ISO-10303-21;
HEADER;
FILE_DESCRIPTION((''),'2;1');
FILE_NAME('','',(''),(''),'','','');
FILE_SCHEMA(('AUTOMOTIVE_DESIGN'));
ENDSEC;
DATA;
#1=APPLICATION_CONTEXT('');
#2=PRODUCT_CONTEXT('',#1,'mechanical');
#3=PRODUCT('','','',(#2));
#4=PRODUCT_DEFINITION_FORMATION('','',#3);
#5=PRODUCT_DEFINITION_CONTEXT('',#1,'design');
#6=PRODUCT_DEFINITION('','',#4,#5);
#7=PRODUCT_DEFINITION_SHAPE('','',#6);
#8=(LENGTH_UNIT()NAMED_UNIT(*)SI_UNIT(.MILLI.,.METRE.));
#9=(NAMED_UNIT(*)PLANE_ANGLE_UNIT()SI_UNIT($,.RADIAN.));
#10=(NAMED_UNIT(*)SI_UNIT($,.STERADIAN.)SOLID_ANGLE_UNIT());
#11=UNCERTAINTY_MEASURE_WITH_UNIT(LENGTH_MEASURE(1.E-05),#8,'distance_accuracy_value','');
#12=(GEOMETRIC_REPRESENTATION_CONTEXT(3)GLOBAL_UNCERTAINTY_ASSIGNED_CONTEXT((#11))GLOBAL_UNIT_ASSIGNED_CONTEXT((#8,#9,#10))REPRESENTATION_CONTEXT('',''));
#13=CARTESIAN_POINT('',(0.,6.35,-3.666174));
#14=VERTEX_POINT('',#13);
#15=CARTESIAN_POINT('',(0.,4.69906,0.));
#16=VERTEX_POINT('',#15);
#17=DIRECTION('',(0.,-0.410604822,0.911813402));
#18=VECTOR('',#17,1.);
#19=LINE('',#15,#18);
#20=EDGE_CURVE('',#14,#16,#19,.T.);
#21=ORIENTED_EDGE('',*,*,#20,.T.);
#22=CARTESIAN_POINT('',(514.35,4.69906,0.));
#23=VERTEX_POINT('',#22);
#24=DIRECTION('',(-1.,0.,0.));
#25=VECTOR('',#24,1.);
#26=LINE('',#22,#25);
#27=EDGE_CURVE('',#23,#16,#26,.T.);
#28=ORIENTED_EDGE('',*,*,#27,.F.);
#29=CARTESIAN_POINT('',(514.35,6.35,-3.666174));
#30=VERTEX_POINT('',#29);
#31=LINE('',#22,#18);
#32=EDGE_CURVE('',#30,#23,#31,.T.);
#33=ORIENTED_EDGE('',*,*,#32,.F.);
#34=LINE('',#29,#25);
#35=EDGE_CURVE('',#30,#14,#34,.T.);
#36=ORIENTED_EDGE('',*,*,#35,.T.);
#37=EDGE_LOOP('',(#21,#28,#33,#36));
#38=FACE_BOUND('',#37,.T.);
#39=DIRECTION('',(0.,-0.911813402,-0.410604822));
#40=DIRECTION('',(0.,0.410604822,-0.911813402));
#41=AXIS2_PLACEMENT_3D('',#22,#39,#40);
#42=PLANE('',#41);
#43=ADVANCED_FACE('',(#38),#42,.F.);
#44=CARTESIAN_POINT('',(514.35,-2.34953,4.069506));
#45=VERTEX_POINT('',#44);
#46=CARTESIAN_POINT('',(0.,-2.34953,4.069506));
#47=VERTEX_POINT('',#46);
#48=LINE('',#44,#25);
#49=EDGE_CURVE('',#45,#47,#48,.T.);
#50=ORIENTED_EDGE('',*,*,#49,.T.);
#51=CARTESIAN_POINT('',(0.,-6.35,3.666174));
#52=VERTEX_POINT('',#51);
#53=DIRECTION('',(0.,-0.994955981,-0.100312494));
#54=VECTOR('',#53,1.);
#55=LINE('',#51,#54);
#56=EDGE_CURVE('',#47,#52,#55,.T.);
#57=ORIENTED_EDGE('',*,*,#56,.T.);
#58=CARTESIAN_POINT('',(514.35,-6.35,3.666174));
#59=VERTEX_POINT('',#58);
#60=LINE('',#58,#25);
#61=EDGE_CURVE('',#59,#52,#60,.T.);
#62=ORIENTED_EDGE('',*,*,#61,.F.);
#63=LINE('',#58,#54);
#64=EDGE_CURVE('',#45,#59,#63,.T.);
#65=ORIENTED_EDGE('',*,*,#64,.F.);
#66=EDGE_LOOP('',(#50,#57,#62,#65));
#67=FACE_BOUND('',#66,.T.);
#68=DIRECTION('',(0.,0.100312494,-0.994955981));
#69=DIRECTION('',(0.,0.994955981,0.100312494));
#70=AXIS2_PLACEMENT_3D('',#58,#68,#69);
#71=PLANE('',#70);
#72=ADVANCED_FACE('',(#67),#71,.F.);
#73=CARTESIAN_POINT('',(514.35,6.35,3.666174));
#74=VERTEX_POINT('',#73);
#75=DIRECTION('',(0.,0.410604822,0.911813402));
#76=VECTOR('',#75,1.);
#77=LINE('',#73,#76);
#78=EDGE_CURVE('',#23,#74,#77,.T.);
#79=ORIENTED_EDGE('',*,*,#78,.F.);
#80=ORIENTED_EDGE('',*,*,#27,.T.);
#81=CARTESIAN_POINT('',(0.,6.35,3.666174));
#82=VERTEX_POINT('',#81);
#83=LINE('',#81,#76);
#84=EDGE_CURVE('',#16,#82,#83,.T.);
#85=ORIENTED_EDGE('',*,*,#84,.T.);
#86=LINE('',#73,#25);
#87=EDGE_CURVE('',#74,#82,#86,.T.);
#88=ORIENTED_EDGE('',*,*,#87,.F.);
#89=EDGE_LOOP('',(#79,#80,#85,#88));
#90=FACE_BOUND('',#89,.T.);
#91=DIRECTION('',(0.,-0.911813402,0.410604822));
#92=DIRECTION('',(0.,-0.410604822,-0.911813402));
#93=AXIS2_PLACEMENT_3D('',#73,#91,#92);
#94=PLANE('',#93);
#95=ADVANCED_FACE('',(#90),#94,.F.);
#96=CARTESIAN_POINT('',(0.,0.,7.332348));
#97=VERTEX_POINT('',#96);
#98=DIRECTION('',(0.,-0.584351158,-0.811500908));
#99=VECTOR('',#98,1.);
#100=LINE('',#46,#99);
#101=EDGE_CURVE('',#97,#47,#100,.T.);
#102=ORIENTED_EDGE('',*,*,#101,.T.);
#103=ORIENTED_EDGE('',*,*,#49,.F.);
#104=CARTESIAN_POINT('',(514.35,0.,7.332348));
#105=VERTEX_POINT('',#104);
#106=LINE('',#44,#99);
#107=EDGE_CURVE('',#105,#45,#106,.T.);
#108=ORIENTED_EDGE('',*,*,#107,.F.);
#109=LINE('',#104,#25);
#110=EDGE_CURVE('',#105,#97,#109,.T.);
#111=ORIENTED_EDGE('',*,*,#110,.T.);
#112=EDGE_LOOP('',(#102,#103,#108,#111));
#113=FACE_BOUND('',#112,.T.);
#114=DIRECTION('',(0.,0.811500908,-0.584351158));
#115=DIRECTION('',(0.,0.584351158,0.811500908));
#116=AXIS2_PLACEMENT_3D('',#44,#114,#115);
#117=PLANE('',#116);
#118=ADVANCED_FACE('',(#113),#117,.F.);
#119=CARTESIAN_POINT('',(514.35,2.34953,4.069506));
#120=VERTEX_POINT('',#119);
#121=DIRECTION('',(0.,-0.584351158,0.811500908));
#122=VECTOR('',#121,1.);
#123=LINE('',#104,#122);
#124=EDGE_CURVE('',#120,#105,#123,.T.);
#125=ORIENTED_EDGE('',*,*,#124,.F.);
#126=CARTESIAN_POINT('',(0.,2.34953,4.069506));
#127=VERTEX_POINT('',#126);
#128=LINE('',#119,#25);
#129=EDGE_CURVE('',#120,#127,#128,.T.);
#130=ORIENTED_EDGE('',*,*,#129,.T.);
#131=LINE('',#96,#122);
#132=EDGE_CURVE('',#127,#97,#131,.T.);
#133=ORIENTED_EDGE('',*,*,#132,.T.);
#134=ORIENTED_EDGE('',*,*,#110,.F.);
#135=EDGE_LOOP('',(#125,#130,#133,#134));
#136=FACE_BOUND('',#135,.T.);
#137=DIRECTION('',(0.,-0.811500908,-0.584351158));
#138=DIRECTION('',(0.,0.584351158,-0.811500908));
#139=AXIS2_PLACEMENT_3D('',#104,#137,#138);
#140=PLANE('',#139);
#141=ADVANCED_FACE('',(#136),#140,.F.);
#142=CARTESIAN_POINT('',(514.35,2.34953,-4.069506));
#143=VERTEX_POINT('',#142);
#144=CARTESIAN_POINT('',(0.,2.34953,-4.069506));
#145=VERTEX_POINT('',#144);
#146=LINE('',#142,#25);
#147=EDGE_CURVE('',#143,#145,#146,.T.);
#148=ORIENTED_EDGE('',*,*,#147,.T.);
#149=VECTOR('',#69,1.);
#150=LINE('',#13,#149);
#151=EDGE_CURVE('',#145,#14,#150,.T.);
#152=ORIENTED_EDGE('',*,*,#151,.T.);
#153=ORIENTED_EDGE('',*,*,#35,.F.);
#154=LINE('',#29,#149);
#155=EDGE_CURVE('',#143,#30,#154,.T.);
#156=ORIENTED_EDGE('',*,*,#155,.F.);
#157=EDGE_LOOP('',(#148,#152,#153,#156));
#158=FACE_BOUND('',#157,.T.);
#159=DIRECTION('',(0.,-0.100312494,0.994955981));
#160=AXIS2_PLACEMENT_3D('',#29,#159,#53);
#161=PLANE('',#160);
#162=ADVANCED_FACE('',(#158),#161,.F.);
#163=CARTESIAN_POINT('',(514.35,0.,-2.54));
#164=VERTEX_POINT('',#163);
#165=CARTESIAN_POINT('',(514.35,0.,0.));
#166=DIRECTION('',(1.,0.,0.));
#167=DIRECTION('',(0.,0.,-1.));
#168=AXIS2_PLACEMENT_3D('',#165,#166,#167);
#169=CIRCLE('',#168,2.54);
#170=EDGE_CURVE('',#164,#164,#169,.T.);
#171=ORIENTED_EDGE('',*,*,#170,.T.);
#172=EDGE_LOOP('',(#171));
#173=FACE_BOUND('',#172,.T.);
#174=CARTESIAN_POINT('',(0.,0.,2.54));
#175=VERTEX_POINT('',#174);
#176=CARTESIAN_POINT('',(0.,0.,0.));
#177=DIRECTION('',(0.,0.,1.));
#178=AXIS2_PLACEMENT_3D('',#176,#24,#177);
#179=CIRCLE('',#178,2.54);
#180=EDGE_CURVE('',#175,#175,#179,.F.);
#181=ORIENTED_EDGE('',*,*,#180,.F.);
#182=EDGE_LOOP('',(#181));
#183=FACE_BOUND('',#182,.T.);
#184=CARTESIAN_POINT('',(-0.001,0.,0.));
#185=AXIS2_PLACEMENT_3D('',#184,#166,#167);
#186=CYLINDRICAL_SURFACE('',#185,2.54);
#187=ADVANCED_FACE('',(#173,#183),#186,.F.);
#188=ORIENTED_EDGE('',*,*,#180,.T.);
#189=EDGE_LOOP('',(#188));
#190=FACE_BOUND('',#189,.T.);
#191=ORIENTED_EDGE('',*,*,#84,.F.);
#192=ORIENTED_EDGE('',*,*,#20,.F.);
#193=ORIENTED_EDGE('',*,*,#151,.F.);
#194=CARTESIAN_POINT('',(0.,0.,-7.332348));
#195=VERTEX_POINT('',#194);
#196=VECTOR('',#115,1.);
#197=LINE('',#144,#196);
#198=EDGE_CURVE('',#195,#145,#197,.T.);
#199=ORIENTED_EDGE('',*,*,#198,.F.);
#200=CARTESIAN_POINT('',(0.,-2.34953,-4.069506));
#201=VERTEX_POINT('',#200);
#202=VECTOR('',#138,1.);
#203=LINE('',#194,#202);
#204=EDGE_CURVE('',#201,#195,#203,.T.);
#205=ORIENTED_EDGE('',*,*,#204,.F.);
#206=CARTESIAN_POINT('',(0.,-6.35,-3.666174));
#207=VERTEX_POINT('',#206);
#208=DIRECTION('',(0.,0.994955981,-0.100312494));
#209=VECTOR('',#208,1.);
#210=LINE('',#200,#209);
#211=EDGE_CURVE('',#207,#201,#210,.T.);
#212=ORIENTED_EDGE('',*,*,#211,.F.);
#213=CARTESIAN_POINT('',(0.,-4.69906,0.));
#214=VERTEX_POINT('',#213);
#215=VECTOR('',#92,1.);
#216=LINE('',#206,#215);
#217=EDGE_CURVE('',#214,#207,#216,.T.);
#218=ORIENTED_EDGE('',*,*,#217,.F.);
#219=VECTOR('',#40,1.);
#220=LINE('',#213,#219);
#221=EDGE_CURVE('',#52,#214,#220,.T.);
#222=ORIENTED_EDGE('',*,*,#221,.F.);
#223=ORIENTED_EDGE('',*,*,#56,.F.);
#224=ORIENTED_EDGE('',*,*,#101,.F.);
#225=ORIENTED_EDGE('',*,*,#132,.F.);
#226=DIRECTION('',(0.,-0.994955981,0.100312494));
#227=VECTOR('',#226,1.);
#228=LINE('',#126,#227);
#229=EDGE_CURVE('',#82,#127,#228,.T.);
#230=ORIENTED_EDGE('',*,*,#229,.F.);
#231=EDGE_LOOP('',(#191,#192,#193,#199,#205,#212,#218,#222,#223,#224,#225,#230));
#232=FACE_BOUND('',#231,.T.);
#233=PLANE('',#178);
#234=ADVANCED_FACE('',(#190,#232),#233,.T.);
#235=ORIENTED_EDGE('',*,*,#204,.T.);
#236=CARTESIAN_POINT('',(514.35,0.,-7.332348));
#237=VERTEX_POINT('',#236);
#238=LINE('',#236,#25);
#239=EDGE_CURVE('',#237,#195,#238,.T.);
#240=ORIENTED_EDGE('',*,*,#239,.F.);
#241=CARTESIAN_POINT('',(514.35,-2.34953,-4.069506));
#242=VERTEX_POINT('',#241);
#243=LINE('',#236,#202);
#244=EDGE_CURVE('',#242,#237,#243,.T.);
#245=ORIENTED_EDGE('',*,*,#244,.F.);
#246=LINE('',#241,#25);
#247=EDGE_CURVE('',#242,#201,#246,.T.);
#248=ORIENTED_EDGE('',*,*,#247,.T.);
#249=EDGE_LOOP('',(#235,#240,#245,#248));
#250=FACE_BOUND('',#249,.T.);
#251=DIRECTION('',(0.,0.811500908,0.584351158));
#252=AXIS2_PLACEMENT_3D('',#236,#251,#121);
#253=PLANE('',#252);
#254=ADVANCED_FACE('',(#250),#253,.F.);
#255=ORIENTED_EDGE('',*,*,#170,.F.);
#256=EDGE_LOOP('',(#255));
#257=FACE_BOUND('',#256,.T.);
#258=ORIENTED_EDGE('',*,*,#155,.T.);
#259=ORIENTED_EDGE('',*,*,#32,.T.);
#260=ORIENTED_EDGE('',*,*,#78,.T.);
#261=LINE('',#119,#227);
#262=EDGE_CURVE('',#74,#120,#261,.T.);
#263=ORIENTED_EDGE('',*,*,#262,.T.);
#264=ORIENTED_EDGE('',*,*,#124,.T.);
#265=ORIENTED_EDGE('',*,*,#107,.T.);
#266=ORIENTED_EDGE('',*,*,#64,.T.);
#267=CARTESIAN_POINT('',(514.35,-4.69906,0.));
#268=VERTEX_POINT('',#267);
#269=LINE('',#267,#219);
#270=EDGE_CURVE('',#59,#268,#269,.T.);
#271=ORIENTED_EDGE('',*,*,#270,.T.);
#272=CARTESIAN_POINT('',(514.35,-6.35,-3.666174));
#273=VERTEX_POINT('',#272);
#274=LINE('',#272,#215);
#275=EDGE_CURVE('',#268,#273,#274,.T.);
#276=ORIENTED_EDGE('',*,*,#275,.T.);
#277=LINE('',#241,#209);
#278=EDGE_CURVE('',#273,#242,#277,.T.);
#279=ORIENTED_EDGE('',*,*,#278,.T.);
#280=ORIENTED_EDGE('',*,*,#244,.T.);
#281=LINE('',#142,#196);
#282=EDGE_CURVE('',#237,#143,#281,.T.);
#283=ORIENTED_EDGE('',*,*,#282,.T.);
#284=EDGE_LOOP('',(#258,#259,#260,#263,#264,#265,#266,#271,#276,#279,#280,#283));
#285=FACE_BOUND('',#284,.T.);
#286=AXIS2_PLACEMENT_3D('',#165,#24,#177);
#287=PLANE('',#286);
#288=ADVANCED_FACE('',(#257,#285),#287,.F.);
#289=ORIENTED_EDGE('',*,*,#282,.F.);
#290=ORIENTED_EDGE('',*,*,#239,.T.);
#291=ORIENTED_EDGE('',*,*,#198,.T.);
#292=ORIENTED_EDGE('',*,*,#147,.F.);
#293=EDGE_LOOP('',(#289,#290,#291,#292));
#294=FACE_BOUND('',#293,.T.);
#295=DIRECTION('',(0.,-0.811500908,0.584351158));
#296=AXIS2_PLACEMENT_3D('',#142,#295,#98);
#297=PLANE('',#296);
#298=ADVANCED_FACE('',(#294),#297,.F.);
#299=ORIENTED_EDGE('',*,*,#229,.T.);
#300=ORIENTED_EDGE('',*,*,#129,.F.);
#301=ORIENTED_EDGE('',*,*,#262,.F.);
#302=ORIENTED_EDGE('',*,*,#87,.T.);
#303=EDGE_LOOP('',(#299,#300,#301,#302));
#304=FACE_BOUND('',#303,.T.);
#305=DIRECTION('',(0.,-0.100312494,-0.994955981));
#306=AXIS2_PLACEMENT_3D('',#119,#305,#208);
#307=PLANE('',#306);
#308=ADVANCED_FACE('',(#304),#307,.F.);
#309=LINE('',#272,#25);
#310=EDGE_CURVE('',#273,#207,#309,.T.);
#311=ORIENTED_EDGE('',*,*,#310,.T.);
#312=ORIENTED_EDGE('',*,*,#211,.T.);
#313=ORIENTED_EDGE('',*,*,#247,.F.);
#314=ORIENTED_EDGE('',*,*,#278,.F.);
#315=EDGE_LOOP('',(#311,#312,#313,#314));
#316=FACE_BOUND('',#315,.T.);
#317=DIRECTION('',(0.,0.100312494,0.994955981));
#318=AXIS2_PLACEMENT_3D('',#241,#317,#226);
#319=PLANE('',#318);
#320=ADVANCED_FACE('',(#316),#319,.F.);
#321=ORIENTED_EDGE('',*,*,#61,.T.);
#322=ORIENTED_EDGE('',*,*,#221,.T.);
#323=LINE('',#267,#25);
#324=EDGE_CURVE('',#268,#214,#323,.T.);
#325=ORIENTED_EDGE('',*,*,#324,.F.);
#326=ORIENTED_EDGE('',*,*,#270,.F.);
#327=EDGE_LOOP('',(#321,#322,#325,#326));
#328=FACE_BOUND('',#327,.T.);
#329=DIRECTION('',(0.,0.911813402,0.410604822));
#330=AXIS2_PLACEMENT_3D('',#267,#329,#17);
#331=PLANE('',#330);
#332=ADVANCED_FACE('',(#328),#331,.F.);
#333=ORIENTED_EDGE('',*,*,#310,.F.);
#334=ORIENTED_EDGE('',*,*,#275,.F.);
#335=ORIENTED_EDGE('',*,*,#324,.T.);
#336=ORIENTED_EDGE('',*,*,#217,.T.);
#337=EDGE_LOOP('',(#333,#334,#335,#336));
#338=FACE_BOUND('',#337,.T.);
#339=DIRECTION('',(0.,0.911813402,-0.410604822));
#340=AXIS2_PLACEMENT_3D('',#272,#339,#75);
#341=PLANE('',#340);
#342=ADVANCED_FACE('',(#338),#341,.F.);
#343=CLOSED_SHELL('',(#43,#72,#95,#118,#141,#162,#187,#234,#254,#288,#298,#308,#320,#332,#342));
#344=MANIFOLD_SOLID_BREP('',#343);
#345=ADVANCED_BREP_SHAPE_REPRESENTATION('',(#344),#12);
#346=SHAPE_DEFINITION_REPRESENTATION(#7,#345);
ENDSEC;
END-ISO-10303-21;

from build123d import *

# Parameters (mm, degrees)
BOSS_EXTRUDE1_DEPTH = 514.35
CUT_EXTRUDE1_REACH  = 516.35
SKETCH2_R           = 2.54


with BuildPart() as part:
    # Sketch1 → Boss-Extrude1 (new body)
    with BuildSketch(Plane(origin=(0, 0, 0), x_dir=(0, 0, -1), z_dir=(1, 0, 0))):
        Polygon((-3.666174209, 6.35), (0, 4.699060448), (3.666174209, 6.35), (4.069505722, 2.349530224), (7.332348419, 0), (4.069505722, -2.349530224), (3.666174209, -6.35), (0, -4.699060448), (-3.666174209, -6.35), (-4.069505722, -2.349530224), (-7.332348419, 0), (-4.069505722, 2.349530224), align=None)
    extrude(amount=BOSS_EXTRUDE1_DEPTH)

    # Sketch2 → Cut-Extrude1 (cut, up to next)
    with BuildSketch(Plane(origin=(514.35, 0, 0), x_dir=(0, 0, -1), z_dir=(1, 0, 0)), mode=Mode.PRIVATE) as cut_extrude1_sk1:
        Circle(SKETCH2_R)
    cut_extrude1_tool1 = extrude(cut_extrude1_sk1.sketch, amount=-CUT_EXTRUDE1_REACH, mode=Mode.PRIVATE) & part.part
    add(cut_extrude1_tool1.solids().sort_by_distance((514.35, 0, 0))[0], mode=Mode.SUBTRACT)


solid = part.part
